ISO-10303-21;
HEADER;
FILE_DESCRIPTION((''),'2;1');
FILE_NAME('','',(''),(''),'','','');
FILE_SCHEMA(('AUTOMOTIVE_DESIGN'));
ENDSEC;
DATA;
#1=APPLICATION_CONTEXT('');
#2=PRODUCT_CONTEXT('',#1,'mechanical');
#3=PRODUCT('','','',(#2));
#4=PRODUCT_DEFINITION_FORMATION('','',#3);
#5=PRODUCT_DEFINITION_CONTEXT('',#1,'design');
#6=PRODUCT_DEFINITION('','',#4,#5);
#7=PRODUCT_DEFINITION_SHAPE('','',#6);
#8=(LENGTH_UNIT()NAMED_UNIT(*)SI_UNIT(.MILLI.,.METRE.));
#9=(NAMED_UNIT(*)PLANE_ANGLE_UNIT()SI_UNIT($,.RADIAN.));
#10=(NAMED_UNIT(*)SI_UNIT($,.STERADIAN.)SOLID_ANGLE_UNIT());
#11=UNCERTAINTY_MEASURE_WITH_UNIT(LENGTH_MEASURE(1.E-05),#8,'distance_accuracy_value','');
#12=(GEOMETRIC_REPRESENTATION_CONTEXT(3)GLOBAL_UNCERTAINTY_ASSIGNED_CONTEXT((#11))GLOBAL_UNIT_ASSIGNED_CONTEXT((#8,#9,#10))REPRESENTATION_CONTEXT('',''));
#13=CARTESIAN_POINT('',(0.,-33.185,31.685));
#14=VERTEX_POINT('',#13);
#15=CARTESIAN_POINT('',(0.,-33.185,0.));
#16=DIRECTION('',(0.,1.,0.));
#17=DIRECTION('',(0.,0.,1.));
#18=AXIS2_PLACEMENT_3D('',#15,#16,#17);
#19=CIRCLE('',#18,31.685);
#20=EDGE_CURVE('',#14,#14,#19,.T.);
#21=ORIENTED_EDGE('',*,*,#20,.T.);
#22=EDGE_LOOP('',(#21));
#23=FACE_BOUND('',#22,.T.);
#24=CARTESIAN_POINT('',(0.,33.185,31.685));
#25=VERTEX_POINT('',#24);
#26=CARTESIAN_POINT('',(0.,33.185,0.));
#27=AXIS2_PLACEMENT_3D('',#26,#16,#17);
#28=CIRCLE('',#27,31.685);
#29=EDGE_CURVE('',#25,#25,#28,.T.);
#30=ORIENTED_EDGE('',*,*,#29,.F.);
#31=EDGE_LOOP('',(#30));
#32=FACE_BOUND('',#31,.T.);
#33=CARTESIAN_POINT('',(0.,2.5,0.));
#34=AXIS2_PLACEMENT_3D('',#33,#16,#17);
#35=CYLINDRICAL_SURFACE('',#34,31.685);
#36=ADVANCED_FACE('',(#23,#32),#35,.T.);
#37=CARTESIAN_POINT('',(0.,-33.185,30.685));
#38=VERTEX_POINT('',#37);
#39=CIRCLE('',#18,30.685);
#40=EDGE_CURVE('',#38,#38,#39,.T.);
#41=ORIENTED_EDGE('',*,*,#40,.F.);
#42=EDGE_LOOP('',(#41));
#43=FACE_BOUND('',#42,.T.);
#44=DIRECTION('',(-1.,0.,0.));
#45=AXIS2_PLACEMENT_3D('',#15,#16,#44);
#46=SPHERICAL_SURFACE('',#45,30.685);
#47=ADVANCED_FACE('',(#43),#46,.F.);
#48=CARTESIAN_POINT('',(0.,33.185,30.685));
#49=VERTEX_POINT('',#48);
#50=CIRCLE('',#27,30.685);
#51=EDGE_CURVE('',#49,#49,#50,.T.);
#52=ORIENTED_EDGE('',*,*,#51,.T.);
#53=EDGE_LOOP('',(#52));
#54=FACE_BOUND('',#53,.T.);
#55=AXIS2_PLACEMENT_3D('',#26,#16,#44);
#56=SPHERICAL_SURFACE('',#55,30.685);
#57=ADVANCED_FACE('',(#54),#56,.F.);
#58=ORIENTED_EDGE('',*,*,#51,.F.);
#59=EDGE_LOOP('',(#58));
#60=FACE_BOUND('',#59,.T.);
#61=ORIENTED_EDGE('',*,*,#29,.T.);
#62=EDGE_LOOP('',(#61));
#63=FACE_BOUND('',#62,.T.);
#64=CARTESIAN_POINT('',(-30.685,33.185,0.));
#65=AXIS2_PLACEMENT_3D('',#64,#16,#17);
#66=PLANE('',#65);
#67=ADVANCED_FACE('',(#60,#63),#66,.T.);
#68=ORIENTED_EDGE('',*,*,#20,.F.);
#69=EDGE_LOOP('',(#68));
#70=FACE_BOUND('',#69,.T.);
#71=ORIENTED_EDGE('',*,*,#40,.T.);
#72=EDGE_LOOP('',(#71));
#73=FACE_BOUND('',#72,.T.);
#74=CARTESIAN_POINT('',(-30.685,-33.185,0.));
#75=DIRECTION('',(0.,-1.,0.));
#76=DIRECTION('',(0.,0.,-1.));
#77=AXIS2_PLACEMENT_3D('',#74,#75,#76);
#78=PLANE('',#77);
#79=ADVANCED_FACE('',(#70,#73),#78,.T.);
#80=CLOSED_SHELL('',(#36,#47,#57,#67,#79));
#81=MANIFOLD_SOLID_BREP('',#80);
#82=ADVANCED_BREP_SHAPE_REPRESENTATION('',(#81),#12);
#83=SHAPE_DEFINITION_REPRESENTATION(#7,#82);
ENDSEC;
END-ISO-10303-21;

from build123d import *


with BuildPart() as part:
    # Sketch1 → Revolve1 (revolve)
    with BuildSketch(Plane.XY):
        with BuildLine():
            Line((-31.685, 33.185), (-31.685, -33.185))
            Line((-31.685, -33.185), (-30.685, -33.185))
            ThreePointArc((-30.685, -33.185), (-21.697571581, -11.487428419), (0, -2.5))
            Line((0, -2.5), (0, 2.5))
            ThreePointArc((0, 2.5), (-21.697571581, 11.487428419), (-30.685, 33.185))
            Line((-30.685, 33.185), (-31.685, 33.185))
        make_face()
    revolve(axis=Axis((0, 2.5, 0), (0, -1, 0)))


solid = part.part
